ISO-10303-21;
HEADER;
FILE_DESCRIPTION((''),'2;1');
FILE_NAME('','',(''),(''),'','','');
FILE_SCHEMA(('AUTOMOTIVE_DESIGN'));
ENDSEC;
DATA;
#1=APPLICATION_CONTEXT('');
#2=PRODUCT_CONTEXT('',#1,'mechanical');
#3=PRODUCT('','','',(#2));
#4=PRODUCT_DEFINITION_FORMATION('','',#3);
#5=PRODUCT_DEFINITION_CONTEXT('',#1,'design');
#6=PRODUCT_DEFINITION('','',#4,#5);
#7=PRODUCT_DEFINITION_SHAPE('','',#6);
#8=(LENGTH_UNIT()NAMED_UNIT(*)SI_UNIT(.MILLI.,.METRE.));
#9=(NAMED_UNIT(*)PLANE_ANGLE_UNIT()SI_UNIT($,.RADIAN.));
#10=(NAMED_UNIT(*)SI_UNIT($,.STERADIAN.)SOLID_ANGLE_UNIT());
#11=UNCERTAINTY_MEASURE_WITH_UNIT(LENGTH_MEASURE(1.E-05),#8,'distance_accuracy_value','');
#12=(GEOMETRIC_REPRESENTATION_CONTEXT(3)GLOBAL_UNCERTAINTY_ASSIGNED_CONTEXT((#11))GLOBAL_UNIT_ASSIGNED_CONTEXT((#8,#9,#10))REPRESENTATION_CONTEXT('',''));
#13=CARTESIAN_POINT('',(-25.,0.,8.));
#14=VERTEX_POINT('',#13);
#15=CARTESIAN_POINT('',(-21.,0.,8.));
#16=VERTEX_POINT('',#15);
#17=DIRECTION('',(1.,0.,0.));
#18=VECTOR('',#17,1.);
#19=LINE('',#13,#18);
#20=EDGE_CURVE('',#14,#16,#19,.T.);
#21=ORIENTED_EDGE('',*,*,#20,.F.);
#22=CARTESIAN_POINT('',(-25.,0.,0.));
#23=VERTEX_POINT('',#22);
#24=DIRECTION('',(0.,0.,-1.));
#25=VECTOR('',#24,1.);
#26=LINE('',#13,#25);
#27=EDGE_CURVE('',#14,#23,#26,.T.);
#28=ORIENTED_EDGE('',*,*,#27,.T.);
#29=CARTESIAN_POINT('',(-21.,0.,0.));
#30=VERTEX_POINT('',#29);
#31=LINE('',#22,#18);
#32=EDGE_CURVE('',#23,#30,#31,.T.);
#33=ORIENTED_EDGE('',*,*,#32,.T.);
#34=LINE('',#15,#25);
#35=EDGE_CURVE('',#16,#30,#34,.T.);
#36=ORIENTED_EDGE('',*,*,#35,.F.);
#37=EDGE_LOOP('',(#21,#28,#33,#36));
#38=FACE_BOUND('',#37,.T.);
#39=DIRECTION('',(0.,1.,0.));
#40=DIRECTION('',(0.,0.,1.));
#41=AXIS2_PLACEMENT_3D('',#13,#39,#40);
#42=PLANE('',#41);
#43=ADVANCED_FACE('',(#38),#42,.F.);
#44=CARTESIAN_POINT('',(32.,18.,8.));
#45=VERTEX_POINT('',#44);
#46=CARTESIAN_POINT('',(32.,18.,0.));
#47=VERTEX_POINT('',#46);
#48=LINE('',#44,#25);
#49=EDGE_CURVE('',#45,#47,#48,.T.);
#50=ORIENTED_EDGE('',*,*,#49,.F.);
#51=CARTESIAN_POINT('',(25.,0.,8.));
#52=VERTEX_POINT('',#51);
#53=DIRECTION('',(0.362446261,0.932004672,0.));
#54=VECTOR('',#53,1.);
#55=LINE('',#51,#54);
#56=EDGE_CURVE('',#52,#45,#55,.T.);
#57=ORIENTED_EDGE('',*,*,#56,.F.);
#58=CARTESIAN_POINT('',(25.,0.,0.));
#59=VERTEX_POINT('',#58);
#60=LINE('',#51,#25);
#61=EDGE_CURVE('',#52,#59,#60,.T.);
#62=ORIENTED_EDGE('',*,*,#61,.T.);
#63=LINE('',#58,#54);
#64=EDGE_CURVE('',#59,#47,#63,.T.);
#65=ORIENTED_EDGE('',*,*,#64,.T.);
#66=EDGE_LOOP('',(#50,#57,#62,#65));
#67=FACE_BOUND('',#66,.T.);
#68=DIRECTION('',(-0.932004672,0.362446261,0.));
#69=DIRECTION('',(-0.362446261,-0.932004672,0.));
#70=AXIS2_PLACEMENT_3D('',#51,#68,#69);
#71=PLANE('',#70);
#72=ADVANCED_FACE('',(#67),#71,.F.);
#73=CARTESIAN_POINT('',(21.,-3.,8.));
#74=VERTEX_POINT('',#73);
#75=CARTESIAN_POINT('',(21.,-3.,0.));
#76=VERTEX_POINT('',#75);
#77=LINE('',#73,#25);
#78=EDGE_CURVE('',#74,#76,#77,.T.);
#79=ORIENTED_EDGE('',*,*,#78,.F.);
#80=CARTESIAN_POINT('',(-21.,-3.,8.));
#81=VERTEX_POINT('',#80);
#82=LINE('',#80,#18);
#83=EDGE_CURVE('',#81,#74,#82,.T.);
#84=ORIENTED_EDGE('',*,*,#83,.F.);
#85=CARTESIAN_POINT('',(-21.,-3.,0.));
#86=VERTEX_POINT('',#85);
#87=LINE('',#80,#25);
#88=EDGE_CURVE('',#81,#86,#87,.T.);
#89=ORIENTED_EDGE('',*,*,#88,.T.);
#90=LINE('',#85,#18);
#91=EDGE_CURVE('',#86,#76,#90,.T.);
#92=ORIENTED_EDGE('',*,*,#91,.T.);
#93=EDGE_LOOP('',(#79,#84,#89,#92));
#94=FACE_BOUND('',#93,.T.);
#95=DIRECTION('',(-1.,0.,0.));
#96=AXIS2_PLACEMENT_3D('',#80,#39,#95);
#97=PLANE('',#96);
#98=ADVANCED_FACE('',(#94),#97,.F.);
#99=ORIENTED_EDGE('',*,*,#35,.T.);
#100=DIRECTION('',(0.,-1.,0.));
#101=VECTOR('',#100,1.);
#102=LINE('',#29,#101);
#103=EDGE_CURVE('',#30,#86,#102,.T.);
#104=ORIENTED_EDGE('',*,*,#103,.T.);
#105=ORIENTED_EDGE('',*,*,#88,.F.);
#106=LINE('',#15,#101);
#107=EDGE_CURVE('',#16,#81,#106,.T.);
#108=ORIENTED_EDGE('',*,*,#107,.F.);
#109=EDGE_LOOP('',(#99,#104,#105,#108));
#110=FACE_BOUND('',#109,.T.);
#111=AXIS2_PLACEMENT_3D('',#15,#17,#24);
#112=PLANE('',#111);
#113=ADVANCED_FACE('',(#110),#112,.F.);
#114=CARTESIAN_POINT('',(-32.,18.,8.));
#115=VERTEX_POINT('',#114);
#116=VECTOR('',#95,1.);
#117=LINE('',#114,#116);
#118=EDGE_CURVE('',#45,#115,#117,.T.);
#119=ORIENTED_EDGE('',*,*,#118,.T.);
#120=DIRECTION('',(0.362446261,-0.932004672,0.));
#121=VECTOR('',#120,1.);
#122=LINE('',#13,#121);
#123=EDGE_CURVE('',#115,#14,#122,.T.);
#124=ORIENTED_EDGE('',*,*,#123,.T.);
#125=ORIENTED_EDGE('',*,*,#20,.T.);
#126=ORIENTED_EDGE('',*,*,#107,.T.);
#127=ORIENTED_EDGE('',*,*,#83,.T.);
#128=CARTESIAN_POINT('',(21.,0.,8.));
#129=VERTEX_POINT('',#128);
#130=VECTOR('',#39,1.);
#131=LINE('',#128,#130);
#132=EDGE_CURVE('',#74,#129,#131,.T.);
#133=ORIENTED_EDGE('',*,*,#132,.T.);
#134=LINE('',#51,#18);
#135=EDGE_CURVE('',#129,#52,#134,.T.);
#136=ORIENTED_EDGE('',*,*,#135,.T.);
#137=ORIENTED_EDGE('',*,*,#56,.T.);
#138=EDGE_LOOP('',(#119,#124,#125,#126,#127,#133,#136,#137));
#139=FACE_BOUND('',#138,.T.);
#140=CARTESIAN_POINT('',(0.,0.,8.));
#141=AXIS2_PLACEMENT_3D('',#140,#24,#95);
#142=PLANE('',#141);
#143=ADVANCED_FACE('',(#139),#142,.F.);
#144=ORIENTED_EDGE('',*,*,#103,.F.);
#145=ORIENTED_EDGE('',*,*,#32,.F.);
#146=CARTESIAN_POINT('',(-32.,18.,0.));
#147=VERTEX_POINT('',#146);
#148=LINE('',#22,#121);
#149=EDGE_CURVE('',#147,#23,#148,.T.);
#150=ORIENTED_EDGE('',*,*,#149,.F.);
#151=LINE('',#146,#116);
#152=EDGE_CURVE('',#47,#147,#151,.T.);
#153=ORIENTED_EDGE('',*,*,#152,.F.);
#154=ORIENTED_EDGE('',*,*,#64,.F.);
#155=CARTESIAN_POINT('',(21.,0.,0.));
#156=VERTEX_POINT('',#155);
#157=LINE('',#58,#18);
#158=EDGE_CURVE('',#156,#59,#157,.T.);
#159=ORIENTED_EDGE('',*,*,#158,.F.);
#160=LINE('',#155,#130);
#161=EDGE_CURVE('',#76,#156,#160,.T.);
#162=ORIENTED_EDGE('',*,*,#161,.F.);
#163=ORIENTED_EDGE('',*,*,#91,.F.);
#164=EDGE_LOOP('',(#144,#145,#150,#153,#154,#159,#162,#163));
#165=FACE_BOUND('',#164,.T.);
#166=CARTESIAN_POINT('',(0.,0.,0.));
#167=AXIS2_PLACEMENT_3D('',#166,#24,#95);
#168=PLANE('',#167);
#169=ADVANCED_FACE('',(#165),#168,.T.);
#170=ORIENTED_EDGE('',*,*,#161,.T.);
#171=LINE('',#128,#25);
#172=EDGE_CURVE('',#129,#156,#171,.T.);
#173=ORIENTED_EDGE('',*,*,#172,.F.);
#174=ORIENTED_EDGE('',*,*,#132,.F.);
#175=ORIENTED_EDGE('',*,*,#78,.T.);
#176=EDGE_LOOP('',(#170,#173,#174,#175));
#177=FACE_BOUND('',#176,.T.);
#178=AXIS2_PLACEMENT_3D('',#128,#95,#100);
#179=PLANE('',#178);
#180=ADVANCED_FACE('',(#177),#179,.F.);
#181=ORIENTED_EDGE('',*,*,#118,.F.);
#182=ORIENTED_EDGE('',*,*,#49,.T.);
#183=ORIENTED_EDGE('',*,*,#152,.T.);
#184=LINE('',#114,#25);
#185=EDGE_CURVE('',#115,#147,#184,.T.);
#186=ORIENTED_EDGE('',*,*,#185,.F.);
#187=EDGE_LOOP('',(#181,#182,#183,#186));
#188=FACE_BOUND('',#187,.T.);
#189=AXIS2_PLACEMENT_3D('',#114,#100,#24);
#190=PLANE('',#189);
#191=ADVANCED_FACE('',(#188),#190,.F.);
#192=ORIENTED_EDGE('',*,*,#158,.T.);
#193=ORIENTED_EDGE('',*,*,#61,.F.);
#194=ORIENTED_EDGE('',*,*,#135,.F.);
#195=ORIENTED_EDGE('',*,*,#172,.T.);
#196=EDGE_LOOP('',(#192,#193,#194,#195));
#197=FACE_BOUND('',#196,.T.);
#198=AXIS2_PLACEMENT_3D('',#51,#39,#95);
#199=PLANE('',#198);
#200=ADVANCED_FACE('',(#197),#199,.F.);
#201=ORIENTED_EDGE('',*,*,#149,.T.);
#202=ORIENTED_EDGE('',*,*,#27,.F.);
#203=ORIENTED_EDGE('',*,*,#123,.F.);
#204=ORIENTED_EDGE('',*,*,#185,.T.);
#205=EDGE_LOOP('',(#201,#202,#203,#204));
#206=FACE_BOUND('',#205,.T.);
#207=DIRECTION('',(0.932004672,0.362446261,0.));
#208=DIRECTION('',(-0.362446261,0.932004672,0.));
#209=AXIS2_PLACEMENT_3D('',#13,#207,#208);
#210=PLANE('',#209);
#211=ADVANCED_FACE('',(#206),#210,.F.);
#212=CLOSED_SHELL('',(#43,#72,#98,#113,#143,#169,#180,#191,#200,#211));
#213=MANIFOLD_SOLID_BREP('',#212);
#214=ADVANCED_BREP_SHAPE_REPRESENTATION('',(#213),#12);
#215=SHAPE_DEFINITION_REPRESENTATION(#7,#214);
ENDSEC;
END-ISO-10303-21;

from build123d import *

# Parameters (mm, degrees)
EXTRUDE_1_DEPTH = 8


with BuildPart() as part:
    # Эскиз1 → Бобышка-Вытянуть1 (new body)
    with BuildSketch(Plane.XY):
        Polygon((-32, 18), (32, 18), (25, 0), (21, 0), (21, -3), (-21, -3), (-21, 0), (-25, 0), align=None)
    extrude(amount=EXTRUDE_1_DEPTH)


solid = part.part
